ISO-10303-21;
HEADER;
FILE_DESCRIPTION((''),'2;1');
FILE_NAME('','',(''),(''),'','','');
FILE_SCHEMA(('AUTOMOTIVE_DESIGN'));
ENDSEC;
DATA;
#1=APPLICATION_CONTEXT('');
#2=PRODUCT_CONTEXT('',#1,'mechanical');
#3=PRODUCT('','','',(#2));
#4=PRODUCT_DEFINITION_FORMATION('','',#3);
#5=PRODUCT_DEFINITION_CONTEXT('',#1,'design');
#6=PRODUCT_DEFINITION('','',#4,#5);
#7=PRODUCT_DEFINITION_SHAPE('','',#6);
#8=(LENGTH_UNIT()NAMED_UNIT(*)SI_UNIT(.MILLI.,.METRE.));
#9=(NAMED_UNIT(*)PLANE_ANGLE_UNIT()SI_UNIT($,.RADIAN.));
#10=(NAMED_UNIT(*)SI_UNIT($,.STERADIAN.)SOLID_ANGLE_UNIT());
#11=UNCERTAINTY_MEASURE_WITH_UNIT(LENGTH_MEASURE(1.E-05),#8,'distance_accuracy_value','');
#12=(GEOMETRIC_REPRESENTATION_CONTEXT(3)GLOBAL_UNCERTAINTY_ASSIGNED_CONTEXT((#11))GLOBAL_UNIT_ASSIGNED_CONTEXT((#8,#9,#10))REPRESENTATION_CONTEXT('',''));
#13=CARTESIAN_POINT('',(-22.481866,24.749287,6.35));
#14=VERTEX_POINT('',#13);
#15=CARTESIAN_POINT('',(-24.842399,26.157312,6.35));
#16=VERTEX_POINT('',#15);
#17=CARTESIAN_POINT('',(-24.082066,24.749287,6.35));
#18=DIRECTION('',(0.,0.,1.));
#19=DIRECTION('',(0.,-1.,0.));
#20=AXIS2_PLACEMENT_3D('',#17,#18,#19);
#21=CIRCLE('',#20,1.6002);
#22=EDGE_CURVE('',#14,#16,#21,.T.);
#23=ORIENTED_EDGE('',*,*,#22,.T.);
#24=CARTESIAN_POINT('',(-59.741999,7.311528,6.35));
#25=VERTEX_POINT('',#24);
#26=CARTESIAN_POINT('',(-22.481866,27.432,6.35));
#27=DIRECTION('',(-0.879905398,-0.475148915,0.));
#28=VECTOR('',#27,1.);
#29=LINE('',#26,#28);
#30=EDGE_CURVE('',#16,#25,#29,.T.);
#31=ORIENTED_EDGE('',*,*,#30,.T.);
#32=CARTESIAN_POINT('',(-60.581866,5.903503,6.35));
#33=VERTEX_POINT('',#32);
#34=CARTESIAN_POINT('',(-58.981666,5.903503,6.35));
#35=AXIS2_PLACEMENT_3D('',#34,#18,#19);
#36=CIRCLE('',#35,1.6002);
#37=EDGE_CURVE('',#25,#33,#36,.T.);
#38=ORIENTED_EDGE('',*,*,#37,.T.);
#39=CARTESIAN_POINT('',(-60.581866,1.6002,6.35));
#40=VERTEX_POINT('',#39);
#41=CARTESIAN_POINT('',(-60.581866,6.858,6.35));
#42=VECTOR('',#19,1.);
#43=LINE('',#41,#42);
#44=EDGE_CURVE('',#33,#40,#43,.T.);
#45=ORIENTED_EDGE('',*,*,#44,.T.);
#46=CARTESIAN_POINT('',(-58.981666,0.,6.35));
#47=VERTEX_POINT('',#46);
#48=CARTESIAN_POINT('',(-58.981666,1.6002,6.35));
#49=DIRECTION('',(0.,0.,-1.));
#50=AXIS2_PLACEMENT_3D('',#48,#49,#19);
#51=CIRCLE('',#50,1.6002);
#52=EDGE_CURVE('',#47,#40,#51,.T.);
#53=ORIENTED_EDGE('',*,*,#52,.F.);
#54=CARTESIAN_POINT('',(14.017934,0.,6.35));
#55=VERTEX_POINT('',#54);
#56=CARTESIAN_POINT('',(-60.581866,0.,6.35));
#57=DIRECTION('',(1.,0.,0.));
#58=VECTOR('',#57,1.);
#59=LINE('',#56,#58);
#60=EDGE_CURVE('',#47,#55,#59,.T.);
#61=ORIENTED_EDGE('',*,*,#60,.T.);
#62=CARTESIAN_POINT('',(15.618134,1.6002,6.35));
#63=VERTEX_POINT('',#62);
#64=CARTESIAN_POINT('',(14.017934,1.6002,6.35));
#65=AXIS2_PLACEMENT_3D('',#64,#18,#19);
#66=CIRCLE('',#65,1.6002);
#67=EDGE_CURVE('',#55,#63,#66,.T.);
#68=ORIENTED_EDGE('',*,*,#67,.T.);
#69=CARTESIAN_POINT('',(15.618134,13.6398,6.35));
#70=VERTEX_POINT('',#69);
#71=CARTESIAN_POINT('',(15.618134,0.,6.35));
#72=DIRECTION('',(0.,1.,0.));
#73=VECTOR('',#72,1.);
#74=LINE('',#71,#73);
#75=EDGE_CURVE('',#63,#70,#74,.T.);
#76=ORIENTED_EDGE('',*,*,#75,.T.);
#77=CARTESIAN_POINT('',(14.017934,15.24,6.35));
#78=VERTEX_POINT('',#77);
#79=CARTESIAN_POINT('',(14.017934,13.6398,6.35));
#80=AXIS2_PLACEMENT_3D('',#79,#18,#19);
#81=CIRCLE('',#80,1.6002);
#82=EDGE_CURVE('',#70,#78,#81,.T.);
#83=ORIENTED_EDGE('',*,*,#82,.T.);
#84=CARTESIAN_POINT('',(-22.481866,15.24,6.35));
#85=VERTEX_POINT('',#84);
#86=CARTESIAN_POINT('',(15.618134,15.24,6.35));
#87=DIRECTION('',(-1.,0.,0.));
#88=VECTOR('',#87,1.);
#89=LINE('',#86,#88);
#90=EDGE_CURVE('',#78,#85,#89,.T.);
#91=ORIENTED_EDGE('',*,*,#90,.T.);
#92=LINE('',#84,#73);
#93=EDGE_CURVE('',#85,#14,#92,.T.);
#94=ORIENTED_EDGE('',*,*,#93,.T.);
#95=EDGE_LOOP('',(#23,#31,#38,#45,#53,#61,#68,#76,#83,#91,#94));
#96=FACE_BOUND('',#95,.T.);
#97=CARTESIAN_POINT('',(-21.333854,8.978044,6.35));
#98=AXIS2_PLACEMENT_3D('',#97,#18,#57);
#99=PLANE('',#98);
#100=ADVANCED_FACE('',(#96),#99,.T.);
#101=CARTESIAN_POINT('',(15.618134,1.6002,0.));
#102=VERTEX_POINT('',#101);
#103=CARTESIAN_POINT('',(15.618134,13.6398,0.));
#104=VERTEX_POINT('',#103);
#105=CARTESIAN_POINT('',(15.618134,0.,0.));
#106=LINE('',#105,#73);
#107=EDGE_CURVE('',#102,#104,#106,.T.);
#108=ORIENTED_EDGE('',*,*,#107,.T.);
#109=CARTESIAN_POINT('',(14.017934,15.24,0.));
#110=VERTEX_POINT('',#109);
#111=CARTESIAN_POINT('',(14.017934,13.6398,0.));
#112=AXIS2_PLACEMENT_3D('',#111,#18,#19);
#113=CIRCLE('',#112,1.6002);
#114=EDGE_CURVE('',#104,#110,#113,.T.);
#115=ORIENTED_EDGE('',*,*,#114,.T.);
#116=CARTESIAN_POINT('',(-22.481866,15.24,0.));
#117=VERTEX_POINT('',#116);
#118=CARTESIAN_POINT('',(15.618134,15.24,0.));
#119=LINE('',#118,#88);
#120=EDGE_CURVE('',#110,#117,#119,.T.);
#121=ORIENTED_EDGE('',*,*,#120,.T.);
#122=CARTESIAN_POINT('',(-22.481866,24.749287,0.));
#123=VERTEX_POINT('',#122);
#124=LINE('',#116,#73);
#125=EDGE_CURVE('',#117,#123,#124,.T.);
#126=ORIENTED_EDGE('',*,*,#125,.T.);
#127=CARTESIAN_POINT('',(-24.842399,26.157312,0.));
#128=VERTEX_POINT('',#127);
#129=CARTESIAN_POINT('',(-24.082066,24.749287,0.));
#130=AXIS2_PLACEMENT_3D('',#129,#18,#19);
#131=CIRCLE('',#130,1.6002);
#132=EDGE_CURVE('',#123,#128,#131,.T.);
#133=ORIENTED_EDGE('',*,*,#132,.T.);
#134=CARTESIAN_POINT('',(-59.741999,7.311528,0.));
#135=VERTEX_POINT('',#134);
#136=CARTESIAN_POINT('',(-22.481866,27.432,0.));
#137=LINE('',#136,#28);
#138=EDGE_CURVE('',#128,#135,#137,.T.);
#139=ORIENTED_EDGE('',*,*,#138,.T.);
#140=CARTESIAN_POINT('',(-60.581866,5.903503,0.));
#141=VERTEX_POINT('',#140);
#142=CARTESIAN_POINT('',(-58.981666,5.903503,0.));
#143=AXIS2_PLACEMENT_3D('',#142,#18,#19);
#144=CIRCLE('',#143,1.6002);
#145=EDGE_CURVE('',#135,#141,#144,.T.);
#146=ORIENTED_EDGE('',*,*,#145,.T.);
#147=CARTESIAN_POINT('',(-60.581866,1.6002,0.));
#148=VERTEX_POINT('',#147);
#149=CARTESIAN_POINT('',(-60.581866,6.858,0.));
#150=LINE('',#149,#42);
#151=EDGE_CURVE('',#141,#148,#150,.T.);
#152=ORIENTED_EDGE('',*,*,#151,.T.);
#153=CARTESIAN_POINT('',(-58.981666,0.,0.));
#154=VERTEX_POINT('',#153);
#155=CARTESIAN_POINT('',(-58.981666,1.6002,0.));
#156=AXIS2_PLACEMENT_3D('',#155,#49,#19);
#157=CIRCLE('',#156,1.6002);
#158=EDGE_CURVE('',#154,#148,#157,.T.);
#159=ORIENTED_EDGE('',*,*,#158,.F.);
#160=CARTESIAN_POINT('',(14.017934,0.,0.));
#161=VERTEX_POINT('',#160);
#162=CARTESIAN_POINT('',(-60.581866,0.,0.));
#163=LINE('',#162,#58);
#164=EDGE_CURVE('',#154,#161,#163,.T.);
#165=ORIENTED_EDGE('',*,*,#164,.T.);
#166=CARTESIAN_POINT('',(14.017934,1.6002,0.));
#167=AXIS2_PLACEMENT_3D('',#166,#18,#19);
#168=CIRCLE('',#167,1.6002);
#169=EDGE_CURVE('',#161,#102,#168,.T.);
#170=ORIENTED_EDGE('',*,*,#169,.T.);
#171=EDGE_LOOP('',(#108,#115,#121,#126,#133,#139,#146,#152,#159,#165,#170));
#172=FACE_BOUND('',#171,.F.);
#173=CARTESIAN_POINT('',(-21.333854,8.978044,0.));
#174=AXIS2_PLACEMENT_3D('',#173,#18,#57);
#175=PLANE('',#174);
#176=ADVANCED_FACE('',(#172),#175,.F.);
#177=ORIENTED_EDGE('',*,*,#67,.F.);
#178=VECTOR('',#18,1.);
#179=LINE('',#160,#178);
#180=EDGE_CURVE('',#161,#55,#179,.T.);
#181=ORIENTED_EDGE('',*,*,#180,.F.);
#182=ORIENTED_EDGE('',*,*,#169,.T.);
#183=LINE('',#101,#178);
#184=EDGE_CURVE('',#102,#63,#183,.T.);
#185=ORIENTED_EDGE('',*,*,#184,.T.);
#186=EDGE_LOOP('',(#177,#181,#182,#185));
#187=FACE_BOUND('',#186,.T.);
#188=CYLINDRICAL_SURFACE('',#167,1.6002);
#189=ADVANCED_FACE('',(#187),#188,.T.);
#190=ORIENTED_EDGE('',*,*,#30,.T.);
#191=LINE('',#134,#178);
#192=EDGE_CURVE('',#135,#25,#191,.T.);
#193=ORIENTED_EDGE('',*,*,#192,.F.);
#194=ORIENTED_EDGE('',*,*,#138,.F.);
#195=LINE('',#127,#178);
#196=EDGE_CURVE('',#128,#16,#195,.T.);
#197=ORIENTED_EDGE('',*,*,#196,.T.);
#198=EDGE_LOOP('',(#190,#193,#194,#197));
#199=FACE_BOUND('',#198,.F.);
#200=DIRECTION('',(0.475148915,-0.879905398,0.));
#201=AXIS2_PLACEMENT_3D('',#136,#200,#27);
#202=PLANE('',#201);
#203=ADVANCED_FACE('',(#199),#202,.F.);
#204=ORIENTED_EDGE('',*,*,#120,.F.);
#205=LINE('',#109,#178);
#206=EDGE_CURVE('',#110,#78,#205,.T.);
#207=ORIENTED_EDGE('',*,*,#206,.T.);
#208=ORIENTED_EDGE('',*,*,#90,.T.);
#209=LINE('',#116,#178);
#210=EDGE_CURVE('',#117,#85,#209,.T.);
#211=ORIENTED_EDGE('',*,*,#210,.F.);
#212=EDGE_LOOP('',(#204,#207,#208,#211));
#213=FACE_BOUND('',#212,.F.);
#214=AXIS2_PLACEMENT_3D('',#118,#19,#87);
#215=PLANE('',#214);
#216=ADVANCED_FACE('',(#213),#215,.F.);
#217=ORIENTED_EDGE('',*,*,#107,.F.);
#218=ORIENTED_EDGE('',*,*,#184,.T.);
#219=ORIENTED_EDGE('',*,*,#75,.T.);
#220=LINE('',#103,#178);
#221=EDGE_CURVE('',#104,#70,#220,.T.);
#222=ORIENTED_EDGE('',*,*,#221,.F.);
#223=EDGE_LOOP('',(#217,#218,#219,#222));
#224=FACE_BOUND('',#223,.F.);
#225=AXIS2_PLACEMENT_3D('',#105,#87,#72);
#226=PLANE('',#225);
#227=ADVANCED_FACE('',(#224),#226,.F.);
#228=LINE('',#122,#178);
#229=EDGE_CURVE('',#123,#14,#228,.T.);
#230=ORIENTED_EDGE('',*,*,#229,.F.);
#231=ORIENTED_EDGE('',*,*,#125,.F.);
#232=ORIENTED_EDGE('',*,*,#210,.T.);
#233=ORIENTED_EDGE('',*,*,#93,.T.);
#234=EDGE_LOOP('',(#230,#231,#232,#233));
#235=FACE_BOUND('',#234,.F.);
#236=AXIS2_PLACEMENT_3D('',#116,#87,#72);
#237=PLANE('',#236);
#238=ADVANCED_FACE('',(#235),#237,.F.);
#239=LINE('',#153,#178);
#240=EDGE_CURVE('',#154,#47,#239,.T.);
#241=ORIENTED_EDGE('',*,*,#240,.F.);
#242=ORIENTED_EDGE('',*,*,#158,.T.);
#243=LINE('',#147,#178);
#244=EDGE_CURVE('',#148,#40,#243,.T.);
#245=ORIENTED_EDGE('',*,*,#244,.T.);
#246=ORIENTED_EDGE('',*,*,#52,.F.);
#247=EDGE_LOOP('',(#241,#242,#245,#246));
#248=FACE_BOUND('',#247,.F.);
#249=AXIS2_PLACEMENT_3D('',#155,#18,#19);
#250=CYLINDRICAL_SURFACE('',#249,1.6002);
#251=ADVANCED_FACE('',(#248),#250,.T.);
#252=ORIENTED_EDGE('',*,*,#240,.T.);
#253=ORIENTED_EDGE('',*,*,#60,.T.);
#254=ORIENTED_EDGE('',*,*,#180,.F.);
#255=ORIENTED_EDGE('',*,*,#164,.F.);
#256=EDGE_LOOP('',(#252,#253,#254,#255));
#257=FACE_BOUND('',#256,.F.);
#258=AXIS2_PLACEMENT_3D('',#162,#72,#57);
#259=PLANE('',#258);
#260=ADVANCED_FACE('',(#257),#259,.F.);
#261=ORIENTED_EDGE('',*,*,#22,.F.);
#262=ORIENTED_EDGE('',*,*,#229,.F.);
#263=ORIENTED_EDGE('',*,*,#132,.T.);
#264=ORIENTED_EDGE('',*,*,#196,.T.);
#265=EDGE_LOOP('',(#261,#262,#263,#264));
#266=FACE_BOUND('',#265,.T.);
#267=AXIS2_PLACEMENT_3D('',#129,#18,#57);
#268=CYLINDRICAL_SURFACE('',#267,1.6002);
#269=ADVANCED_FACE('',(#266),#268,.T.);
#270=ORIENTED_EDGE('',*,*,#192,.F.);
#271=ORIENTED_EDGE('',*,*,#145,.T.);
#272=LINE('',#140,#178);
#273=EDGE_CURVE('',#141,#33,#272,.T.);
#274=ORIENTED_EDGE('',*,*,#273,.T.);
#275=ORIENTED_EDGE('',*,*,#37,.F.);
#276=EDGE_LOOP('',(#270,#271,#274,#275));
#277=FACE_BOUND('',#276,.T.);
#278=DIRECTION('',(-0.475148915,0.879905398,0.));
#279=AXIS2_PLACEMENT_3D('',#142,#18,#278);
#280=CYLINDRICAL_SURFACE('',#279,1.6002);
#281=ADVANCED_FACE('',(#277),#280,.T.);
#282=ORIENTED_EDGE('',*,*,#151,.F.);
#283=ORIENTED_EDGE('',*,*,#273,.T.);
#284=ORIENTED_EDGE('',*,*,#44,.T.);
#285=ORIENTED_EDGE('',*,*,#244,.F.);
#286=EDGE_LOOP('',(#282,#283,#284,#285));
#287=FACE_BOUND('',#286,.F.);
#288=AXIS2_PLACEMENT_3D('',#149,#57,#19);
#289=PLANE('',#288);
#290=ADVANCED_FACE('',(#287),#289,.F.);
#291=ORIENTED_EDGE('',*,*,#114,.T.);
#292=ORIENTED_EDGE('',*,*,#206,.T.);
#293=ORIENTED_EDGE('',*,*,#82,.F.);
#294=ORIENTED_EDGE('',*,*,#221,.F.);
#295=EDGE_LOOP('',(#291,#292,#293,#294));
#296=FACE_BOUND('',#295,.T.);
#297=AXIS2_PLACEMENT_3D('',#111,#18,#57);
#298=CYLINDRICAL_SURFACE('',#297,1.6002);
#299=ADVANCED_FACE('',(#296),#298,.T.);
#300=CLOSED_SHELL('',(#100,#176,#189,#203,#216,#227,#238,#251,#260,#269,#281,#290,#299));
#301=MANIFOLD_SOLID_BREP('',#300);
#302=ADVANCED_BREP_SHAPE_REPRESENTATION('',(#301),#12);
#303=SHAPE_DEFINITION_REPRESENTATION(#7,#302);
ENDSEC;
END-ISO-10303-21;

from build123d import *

# Parameters (mm, degrees)
F1_DEPTH = 6.35
F2_R     = 1.6002


with BuildPart() as f1:
    # F0 (on Top) → F1 (new body)
    with BuildSketch(Plane.XY):
        Polygon((-60.581866, 0), (0, 0), (15.618134, 0), (15.618134, 15.24), (-22.481866, 15.24), (-22.481866, 27.432), (-60.581866, 6.858), align=None)
    extrude(amount=F1_DEPTH)

    # F2
    f2_edges = [f1.edges().sort_by_distance(p)[0] for p in [
        (-60.581866, 6.858, 3.175),
        (-60.581866, 0, 3.175),
        (-22.481866, 27.432, 3.175),
        (15.618134, 15.24, 3.175),
        (15.618134, 0, 3.175),
    ]]
    fillet(f2_edges, radius=F2_R)


solid = f1.part
